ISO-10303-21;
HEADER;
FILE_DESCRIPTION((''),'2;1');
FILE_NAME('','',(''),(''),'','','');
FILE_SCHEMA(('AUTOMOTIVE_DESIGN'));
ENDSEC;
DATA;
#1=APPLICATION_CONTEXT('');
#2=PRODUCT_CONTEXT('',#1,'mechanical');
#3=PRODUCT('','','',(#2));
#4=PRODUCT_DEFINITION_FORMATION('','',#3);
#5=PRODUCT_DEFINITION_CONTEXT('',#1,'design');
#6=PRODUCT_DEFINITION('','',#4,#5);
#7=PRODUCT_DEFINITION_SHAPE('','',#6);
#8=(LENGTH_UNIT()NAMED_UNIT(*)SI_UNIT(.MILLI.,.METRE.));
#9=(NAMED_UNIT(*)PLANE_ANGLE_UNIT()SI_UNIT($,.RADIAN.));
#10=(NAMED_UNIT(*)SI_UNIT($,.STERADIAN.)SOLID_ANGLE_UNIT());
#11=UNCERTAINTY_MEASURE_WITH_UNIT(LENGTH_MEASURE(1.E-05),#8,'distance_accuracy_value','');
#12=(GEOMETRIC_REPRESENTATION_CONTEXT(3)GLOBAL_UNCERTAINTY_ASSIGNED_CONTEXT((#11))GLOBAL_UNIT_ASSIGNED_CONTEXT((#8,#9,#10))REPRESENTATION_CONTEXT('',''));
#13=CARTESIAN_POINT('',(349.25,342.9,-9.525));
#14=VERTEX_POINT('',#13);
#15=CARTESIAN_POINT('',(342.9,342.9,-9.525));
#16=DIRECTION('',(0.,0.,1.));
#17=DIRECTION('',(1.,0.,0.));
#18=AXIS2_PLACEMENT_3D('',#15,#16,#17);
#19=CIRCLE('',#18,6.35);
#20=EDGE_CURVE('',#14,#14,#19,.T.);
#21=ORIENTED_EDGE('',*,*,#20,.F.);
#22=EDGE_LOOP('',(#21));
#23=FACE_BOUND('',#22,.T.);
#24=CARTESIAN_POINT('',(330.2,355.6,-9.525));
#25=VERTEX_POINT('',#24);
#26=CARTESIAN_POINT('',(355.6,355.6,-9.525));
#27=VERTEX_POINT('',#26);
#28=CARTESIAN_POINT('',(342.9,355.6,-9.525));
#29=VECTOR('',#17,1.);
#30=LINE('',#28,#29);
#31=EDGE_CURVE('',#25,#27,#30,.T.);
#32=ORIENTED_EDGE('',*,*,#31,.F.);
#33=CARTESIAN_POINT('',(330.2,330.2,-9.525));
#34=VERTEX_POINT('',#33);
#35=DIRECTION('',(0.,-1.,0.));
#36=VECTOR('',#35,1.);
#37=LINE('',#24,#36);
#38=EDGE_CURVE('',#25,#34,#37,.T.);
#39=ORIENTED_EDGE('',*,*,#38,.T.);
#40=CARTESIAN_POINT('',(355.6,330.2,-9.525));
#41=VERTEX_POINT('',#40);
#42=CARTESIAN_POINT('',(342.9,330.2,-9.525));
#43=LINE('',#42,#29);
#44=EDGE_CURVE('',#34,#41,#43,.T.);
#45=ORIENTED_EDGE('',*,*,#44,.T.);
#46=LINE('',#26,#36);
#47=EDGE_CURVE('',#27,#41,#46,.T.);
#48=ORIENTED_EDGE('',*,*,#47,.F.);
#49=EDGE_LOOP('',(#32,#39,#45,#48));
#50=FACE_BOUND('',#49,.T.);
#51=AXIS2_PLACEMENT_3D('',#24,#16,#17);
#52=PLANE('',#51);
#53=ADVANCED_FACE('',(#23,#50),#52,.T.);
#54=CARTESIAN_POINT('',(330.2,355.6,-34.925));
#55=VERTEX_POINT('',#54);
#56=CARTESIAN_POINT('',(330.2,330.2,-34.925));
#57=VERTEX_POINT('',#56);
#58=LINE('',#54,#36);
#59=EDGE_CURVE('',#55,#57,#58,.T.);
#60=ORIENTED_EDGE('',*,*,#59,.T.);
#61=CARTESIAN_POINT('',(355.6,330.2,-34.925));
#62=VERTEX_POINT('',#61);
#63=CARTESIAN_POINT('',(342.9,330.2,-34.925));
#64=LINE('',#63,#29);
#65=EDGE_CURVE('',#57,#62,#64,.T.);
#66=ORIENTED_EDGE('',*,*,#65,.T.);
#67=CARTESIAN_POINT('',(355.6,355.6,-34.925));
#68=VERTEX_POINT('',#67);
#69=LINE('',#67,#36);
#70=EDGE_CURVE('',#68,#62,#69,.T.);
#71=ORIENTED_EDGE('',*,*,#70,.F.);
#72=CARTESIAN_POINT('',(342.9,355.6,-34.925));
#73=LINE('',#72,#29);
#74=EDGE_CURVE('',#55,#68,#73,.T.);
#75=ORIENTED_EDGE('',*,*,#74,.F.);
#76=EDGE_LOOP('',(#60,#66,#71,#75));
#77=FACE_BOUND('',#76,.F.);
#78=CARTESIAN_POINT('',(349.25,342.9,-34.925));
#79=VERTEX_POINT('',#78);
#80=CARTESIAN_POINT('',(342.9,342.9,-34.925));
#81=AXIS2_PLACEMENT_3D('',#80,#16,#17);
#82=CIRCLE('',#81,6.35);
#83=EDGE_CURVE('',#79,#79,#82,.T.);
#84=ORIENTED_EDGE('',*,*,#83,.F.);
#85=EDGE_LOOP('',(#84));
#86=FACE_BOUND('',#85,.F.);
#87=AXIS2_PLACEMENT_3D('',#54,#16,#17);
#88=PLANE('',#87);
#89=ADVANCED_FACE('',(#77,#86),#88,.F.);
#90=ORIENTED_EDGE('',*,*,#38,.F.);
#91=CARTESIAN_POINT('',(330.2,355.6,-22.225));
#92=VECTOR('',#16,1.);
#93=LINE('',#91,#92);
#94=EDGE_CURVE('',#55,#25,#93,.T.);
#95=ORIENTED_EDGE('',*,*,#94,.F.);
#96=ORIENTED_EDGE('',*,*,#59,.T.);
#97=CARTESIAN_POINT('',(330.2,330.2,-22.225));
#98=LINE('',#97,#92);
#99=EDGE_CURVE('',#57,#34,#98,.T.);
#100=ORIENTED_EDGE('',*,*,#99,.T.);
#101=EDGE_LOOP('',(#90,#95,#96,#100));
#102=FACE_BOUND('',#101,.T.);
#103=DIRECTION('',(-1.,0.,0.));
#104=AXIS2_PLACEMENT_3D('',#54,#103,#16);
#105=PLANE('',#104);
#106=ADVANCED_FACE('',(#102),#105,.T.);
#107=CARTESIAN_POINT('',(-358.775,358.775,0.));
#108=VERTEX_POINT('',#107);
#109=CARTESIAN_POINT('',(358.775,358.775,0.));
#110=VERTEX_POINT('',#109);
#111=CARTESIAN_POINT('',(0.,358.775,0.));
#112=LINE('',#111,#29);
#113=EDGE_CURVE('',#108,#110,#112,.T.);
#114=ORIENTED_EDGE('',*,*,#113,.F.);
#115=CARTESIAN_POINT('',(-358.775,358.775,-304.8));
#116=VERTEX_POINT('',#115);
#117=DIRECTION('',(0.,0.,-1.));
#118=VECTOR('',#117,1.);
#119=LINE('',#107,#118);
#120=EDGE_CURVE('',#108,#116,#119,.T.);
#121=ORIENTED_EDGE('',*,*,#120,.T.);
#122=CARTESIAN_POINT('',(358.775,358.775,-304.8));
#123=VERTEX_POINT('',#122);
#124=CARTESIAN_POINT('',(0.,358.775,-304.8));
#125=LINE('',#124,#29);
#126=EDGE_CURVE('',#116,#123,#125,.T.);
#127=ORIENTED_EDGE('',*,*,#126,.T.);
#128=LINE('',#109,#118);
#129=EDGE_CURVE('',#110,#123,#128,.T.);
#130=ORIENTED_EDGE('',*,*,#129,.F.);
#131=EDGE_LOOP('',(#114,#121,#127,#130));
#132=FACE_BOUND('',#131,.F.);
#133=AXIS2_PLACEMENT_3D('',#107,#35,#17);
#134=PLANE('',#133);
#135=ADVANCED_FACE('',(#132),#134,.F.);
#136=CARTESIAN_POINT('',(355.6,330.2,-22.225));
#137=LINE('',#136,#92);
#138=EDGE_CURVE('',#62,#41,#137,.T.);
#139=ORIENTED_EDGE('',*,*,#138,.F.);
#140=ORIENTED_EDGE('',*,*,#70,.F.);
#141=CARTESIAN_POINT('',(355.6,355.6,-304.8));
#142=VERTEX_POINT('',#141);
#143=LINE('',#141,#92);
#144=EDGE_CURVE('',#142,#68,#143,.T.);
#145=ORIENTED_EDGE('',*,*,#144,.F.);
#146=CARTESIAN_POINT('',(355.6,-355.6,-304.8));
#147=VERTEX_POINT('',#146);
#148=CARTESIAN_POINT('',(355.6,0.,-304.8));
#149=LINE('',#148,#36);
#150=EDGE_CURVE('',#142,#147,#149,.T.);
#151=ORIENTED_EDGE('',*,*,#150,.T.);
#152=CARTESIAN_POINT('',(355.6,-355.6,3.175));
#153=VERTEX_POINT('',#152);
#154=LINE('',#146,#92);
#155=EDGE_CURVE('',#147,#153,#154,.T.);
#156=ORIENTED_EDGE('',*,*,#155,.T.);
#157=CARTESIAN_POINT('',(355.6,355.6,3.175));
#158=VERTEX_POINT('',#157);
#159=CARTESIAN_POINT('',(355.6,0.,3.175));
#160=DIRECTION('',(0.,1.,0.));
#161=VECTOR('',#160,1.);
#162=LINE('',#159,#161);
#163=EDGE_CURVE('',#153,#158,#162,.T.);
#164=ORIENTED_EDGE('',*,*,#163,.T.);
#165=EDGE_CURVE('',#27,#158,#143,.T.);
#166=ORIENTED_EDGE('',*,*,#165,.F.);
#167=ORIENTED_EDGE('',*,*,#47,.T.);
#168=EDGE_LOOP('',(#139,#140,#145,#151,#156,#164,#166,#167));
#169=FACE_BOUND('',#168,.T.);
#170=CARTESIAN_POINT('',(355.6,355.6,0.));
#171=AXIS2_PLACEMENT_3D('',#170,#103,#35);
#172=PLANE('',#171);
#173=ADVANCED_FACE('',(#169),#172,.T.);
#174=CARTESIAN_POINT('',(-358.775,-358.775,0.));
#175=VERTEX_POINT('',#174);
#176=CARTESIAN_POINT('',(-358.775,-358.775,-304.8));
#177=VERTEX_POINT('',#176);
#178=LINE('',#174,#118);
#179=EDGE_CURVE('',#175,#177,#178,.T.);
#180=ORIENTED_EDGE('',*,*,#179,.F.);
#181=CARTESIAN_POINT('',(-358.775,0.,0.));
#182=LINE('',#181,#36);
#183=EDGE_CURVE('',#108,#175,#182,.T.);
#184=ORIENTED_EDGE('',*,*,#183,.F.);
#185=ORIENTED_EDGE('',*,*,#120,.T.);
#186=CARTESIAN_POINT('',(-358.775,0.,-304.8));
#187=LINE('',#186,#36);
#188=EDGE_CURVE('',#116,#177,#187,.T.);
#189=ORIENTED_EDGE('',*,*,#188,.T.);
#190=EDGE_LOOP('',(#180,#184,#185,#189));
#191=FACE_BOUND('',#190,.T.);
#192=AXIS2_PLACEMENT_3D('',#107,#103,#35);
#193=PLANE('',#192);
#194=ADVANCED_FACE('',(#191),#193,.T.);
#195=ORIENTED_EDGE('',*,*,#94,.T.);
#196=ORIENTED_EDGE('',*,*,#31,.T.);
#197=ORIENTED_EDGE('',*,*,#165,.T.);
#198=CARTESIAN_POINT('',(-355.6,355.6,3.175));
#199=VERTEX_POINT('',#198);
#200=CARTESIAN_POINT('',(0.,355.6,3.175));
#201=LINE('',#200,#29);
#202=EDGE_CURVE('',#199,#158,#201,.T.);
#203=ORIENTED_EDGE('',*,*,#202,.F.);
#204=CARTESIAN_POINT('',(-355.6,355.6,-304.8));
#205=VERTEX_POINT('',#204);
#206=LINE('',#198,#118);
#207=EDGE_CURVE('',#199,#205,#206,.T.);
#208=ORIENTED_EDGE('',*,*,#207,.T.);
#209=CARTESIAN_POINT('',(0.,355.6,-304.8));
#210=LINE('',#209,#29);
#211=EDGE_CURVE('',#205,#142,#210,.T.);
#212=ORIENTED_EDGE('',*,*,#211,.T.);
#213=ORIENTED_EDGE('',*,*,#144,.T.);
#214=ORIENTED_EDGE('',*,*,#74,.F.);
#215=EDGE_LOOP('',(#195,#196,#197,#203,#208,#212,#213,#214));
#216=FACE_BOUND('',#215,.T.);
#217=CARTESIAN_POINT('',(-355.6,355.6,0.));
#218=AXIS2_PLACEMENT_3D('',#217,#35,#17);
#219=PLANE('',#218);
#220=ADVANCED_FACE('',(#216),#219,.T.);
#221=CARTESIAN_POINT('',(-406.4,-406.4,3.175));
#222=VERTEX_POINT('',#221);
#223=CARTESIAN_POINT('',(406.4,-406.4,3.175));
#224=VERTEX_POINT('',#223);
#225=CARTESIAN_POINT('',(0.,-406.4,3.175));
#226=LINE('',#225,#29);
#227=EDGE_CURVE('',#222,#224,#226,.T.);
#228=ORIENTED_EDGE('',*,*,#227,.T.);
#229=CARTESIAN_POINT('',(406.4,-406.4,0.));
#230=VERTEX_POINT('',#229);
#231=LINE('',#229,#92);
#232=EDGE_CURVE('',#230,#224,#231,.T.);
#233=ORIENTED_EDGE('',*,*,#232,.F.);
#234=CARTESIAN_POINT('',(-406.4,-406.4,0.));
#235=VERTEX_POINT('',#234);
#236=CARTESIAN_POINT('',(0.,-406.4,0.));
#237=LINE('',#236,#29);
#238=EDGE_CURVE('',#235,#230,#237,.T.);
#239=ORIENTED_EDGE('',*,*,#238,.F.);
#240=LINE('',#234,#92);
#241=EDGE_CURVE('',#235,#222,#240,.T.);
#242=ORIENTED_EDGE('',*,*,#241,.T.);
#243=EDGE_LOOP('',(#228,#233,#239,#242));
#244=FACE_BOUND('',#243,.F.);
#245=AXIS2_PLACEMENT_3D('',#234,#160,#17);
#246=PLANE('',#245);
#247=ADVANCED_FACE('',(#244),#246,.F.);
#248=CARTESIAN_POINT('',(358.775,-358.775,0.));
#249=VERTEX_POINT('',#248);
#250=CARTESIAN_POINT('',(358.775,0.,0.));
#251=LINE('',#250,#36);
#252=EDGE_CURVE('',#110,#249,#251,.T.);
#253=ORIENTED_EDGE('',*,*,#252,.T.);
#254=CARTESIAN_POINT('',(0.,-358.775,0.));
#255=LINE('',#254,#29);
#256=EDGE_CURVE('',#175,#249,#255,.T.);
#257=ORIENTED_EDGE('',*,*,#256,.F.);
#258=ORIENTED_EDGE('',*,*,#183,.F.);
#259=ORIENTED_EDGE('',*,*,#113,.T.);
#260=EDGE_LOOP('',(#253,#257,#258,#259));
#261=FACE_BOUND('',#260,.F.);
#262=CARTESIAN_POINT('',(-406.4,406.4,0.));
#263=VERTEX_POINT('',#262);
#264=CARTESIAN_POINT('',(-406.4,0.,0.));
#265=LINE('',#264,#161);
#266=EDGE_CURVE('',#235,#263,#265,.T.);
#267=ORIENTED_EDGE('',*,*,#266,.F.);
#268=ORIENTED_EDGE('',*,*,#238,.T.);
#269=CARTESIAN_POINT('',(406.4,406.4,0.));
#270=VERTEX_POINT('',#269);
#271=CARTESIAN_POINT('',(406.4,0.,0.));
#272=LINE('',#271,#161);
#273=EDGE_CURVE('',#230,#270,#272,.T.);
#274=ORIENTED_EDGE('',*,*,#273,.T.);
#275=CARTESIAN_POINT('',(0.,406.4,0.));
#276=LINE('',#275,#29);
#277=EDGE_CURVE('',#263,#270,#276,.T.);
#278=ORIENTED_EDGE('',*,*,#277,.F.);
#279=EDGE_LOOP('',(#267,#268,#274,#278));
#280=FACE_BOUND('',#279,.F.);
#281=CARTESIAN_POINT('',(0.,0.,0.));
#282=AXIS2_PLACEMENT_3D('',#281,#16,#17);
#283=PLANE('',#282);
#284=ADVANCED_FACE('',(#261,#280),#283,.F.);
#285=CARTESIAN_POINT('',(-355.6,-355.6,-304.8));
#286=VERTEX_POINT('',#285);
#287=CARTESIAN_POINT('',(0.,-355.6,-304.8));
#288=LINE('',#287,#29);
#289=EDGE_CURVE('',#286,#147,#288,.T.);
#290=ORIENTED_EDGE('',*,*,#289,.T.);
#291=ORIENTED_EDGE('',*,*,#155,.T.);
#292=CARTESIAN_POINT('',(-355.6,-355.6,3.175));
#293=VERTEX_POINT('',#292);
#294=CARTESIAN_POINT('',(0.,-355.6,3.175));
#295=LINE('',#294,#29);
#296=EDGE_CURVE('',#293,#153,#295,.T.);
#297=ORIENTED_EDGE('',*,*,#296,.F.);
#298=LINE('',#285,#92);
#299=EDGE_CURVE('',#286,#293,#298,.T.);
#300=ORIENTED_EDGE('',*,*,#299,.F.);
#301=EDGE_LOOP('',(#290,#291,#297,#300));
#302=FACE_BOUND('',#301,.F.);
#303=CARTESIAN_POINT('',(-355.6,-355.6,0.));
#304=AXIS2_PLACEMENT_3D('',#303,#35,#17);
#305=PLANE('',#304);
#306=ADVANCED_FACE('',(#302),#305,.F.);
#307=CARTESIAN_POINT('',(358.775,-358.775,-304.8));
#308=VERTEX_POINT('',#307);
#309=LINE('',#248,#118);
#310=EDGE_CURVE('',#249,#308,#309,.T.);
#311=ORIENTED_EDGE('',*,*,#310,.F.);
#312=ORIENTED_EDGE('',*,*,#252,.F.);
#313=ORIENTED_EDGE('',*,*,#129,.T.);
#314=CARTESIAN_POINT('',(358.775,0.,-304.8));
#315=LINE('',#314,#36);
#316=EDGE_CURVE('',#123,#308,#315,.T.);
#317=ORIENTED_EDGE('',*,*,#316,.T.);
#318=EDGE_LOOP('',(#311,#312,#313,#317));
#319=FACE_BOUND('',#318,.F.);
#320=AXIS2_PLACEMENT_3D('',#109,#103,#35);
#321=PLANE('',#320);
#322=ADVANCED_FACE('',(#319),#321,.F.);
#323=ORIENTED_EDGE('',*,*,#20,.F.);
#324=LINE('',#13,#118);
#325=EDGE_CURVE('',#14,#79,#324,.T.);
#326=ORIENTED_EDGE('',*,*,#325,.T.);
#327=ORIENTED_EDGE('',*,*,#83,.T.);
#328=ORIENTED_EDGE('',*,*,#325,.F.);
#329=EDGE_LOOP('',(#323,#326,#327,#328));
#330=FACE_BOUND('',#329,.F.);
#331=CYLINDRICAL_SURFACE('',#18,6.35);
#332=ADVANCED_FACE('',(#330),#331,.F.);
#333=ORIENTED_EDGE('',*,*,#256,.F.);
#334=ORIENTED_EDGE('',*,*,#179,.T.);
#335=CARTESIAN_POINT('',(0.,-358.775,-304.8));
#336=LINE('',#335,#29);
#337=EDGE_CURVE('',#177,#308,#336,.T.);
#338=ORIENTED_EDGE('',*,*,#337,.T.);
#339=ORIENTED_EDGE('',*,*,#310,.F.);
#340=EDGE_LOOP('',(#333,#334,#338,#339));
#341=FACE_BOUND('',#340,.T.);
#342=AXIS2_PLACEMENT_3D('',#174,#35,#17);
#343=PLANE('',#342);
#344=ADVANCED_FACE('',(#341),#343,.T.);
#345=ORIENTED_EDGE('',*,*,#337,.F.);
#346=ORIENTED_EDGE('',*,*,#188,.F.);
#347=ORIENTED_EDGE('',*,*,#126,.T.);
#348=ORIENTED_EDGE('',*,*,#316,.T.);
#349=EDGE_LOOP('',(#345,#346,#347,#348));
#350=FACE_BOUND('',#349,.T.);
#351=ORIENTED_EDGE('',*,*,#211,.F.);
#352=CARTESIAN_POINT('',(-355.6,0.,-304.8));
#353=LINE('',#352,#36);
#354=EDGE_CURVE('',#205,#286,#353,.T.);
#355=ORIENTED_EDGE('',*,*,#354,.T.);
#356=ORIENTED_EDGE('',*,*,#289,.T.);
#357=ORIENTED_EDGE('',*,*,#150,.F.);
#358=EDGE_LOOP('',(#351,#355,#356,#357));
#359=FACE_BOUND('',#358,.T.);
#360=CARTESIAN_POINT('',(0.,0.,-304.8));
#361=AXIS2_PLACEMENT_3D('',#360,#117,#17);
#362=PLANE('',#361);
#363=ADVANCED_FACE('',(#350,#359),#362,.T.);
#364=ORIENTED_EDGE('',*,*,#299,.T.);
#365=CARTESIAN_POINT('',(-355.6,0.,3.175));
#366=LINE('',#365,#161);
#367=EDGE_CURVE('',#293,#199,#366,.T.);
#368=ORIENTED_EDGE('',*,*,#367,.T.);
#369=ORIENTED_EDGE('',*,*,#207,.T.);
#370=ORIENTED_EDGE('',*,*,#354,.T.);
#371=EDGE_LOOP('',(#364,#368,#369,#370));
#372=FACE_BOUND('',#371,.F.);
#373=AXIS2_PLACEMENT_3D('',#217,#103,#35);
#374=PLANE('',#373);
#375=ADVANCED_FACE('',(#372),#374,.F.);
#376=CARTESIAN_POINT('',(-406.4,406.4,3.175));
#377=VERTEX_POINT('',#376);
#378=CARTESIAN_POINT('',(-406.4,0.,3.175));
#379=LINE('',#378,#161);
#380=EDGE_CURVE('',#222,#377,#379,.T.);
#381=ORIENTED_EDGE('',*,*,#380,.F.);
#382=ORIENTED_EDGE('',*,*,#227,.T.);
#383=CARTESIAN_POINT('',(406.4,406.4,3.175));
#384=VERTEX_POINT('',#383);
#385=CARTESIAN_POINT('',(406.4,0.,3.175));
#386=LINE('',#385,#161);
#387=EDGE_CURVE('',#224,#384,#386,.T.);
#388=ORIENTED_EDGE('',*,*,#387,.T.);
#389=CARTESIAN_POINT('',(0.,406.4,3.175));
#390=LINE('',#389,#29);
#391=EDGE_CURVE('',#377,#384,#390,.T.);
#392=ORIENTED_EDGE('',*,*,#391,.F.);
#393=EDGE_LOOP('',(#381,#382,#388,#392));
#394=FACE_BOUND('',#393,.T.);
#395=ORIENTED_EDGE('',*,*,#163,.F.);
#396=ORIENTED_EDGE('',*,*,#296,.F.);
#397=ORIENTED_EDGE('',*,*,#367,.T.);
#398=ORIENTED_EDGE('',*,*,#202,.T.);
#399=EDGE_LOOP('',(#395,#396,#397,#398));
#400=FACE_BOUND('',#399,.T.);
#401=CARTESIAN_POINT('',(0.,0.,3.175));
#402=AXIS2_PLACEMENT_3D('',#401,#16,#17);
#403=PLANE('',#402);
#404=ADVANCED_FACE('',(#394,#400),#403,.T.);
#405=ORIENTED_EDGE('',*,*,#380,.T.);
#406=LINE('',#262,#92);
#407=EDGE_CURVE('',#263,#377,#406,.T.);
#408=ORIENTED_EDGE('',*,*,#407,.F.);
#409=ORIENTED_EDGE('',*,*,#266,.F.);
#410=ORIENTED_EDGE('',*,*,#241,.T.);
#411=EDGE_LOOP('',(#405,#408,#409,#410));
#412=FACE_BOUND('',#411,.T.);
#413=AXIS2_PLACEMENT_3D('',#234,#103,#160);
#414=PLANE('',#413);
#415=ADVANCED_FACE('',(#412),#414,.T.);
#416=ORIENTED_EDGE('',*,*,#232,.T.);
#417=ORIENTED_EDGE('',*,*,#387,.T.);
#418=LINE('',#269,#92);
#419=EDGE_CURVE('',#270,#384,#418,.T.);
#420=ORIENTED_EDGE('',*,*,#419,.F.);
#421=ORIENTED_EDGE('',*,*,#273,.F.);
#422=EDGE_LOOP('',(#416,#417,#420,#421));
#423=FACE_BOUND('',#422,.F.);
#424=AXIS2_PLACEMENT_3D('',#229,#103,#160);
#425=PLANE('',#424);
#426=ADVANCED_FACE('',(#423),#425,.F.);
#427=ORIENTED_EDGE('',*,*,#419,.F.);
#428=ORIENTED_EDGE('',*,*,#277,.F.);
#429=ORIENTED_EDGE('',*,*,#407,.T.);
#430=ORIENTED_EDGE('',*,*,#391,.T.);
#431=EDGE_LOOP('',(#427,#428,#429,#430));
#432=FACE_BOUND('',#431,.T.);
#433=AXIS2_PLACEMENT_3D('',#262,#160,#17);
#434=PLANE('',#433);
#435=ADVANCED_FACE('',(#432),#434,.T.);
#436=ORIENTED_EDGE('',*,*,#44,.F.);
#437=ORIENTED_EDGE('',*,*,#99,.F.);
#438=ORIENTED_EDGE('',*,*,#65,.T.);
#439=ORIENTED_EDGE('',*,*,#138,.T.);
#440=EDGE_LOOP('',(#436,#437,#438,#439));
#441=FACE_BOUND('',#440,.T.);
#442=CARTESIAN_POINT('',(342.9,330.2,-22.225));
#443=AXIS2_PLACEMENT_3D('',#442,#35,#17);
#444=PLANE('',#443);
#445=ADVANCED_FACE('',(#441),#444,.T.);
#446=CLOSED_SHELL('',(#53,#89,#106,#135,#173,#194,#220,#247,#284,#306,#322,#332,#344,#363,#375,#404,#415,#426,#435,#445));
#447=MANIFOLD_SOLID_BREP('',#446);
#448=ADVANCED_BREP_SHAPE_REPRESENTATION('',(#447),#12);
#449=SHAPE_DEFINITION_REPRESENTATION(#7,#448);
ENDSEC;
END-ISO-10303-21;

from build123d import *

# Parameters (mm, degrees)
F0_W     = 812.8
F0_H     = 812.8
F0_W_2   = 711.2
F0_H_2   = 711.2
F1_DEPTH = 3.175
F2_W     = 717.55
F2_H     = 717.55
F2_W_2   = 711.2
F2_H_2   = 711.2
F3_DEPTH = 304.8
F4_W     = 25.4
F4_H     = 25.4
F5_DEPTH = 25.4
F6_R     = 6.35
F7_DEPTH = 25.4


with BuildPart() as f1:
    # F0 (on Top) → F1 (new body)
    with BuildSketch(Plane.XY):
        Rectangle(F0_W, F0_H)
        Rectangle(F0_W_2, F0_H_2, mode=Mode.SUBTRACT)
    extrude(amount=F1_DEPTH)

    # F2 (on face) → F3 (join)
    with BuildSketch(Plane(origin=(0, 0, 0), x_dir=(1, 0, 0), z_dir=(0, 0, -1))):
        Rectangle(F2_W, F2_H)
        Rectangle(F2_W_2, F2_H_2, mode=Mode.SUBTRACT)
    extrude(amount=F3_DEPTH)

    # F4 (on face) → F5 (join)
    with BuildSketch(Plane.XZ.offset(-355.6)):
        with Locations((342.9, -22.225)):
            Rectangle(F4_W, F4_H)
    extrude(amount=F5_DEPTH)

    # F6 (on face) → F7 (cut, through all)
    with BuildSketch(Plane.XY.offset(-9.525)):
        with Locations((342.9, 342.9)):
            Circle(F6_R)
    extrude(amount=-F7_DEPTH, mode=Mode.SUBTRACT)


solid = f1.part
